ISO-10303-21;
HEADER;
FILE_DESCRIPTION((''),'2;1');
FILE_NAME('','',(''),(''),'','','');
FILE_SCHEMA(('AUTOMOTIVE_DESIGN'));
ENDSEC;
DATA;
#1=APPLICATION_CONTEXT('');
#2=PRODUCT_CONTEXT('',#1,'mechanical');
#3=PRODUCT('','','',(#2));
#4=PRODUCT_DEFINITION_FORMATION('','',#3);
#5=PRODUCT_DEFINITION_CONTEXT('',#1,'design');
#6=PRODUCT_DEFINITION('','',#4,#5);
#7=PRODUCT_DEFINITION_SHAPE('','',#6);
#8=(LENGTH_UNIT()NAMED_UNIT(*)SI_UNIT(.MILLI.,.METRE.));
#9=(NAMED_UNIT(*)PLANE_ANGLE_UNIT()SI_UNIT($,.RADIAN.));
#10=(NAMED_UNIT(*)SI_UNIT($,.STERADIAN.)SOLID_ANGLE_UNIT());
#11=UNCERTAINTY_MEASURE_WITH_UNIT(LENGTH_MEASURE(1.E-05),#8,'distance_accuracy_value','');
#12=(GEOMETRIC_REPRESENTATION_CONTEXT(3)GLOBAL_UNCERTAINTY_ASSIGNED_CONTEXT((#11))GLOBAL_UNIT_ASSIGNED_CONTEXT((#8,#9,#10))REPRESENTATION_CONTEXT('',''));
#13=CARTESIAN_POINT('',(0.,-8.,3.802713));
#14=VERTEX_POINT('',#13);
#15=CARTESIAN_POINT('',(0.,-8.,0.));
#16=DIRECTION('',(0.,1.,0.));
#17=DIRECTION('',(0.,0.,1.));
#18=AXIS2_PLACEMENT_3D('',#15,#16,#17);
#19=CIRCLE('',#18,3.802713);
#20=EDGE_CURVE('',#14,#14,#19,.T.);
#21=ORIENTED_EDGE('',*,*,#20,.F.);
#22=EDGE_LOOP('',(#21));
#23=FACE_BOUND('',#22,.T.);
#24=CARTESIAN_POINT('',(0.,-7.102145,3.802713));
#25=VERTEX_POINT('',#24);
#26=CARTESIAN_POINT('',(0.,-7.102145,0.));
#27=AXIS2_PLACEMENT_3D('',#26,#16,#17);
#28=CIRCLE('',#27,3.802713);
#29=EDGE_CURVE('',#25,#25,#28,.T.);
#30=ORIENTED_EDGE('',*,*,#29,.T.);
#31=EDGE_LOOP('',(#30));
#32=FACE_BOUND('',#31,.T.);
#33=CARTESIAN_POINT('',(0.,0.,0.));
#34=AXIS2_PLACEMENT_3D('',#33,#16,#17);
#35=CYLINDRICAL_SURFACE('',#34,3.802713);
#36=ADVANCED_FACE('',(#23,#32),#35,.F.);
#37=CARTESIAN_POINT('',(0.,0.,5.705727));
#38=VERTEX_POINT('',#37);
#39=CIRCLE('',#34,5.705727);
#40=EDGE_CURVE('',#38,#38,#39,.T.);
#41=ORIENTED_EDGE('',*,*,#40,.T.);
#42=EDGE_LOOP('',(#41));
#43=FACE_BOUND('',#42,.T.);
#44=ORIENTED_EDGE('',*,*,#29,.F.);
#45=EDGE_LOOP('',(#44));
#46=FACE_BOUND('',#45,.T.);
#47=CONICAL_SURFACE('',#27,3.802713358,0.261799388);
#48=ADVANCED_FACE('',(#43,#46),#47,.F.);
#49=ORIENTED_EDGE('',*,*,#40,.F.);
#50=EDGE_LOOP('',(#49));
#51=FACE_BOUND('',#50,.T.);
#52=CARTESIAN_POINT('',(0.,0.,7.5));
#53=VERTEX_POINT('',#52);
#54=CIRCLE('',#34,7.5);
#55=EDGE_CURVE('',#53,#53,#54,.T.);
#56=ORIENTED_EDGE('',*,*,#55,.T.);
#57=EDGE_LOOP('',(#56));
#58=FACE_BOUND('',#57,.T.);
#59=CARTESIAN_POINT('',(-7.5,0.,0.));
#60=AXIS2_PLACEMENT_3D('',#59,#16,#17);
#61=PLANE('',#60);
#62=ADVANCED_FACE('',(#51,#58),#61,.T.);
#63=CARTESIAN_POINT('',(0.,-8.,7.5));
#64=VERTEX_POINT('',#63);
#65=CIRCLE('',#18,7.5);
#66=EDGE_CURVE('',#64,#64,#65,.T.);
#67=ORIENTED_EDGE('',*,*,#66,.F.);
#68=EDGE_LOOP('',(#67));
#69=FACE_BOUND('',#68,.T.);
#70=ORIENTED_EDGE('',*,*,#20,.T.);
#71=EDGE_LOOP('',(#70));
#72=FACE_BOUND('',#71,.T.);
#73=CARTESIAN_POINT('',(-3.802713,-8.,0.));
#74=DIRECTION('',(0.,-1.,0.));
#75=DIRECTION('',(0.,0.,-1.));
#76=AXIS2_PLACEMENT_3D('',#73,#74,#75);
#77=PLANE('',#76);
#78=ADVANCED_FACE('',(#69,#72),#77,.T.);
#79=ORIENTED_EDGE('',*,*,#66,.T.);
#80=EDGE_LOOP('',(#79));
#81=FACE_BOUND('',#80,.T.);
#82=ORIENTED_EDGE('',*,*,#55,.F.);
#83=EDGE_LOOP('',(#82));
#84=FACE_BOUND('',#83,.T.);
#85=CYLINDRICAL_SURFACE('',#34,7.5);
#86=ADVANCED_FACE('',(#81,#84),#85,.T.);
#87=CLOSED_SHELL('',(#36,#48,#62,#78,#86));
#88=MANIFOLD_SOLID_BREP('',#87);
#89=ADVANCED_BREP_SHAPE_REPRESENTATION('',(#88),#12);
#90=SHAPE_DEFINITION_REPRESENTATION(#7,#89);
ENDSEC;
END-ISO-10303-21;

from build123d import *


with BuildPart() as part:
    # Esquisse1 → Révolution1 (revolve)
    with BuildSketch(Plane.XY, mode=Mode.PRIVATE) as r_volution1_sk:
        Polygon((-5.705727468, 0), (-3.802713358, -7.102145346), (-3.802713358, -8), (-7.5, -8), (-7.5, 0), align=None)
    revolve(r_volution1_sk.sketch.rotate(Axis((0, 0, 0), (0, -1, 0)), 270), axis=Axis((0, 0, 0), (0, -1, 0)))


solid = part.part
